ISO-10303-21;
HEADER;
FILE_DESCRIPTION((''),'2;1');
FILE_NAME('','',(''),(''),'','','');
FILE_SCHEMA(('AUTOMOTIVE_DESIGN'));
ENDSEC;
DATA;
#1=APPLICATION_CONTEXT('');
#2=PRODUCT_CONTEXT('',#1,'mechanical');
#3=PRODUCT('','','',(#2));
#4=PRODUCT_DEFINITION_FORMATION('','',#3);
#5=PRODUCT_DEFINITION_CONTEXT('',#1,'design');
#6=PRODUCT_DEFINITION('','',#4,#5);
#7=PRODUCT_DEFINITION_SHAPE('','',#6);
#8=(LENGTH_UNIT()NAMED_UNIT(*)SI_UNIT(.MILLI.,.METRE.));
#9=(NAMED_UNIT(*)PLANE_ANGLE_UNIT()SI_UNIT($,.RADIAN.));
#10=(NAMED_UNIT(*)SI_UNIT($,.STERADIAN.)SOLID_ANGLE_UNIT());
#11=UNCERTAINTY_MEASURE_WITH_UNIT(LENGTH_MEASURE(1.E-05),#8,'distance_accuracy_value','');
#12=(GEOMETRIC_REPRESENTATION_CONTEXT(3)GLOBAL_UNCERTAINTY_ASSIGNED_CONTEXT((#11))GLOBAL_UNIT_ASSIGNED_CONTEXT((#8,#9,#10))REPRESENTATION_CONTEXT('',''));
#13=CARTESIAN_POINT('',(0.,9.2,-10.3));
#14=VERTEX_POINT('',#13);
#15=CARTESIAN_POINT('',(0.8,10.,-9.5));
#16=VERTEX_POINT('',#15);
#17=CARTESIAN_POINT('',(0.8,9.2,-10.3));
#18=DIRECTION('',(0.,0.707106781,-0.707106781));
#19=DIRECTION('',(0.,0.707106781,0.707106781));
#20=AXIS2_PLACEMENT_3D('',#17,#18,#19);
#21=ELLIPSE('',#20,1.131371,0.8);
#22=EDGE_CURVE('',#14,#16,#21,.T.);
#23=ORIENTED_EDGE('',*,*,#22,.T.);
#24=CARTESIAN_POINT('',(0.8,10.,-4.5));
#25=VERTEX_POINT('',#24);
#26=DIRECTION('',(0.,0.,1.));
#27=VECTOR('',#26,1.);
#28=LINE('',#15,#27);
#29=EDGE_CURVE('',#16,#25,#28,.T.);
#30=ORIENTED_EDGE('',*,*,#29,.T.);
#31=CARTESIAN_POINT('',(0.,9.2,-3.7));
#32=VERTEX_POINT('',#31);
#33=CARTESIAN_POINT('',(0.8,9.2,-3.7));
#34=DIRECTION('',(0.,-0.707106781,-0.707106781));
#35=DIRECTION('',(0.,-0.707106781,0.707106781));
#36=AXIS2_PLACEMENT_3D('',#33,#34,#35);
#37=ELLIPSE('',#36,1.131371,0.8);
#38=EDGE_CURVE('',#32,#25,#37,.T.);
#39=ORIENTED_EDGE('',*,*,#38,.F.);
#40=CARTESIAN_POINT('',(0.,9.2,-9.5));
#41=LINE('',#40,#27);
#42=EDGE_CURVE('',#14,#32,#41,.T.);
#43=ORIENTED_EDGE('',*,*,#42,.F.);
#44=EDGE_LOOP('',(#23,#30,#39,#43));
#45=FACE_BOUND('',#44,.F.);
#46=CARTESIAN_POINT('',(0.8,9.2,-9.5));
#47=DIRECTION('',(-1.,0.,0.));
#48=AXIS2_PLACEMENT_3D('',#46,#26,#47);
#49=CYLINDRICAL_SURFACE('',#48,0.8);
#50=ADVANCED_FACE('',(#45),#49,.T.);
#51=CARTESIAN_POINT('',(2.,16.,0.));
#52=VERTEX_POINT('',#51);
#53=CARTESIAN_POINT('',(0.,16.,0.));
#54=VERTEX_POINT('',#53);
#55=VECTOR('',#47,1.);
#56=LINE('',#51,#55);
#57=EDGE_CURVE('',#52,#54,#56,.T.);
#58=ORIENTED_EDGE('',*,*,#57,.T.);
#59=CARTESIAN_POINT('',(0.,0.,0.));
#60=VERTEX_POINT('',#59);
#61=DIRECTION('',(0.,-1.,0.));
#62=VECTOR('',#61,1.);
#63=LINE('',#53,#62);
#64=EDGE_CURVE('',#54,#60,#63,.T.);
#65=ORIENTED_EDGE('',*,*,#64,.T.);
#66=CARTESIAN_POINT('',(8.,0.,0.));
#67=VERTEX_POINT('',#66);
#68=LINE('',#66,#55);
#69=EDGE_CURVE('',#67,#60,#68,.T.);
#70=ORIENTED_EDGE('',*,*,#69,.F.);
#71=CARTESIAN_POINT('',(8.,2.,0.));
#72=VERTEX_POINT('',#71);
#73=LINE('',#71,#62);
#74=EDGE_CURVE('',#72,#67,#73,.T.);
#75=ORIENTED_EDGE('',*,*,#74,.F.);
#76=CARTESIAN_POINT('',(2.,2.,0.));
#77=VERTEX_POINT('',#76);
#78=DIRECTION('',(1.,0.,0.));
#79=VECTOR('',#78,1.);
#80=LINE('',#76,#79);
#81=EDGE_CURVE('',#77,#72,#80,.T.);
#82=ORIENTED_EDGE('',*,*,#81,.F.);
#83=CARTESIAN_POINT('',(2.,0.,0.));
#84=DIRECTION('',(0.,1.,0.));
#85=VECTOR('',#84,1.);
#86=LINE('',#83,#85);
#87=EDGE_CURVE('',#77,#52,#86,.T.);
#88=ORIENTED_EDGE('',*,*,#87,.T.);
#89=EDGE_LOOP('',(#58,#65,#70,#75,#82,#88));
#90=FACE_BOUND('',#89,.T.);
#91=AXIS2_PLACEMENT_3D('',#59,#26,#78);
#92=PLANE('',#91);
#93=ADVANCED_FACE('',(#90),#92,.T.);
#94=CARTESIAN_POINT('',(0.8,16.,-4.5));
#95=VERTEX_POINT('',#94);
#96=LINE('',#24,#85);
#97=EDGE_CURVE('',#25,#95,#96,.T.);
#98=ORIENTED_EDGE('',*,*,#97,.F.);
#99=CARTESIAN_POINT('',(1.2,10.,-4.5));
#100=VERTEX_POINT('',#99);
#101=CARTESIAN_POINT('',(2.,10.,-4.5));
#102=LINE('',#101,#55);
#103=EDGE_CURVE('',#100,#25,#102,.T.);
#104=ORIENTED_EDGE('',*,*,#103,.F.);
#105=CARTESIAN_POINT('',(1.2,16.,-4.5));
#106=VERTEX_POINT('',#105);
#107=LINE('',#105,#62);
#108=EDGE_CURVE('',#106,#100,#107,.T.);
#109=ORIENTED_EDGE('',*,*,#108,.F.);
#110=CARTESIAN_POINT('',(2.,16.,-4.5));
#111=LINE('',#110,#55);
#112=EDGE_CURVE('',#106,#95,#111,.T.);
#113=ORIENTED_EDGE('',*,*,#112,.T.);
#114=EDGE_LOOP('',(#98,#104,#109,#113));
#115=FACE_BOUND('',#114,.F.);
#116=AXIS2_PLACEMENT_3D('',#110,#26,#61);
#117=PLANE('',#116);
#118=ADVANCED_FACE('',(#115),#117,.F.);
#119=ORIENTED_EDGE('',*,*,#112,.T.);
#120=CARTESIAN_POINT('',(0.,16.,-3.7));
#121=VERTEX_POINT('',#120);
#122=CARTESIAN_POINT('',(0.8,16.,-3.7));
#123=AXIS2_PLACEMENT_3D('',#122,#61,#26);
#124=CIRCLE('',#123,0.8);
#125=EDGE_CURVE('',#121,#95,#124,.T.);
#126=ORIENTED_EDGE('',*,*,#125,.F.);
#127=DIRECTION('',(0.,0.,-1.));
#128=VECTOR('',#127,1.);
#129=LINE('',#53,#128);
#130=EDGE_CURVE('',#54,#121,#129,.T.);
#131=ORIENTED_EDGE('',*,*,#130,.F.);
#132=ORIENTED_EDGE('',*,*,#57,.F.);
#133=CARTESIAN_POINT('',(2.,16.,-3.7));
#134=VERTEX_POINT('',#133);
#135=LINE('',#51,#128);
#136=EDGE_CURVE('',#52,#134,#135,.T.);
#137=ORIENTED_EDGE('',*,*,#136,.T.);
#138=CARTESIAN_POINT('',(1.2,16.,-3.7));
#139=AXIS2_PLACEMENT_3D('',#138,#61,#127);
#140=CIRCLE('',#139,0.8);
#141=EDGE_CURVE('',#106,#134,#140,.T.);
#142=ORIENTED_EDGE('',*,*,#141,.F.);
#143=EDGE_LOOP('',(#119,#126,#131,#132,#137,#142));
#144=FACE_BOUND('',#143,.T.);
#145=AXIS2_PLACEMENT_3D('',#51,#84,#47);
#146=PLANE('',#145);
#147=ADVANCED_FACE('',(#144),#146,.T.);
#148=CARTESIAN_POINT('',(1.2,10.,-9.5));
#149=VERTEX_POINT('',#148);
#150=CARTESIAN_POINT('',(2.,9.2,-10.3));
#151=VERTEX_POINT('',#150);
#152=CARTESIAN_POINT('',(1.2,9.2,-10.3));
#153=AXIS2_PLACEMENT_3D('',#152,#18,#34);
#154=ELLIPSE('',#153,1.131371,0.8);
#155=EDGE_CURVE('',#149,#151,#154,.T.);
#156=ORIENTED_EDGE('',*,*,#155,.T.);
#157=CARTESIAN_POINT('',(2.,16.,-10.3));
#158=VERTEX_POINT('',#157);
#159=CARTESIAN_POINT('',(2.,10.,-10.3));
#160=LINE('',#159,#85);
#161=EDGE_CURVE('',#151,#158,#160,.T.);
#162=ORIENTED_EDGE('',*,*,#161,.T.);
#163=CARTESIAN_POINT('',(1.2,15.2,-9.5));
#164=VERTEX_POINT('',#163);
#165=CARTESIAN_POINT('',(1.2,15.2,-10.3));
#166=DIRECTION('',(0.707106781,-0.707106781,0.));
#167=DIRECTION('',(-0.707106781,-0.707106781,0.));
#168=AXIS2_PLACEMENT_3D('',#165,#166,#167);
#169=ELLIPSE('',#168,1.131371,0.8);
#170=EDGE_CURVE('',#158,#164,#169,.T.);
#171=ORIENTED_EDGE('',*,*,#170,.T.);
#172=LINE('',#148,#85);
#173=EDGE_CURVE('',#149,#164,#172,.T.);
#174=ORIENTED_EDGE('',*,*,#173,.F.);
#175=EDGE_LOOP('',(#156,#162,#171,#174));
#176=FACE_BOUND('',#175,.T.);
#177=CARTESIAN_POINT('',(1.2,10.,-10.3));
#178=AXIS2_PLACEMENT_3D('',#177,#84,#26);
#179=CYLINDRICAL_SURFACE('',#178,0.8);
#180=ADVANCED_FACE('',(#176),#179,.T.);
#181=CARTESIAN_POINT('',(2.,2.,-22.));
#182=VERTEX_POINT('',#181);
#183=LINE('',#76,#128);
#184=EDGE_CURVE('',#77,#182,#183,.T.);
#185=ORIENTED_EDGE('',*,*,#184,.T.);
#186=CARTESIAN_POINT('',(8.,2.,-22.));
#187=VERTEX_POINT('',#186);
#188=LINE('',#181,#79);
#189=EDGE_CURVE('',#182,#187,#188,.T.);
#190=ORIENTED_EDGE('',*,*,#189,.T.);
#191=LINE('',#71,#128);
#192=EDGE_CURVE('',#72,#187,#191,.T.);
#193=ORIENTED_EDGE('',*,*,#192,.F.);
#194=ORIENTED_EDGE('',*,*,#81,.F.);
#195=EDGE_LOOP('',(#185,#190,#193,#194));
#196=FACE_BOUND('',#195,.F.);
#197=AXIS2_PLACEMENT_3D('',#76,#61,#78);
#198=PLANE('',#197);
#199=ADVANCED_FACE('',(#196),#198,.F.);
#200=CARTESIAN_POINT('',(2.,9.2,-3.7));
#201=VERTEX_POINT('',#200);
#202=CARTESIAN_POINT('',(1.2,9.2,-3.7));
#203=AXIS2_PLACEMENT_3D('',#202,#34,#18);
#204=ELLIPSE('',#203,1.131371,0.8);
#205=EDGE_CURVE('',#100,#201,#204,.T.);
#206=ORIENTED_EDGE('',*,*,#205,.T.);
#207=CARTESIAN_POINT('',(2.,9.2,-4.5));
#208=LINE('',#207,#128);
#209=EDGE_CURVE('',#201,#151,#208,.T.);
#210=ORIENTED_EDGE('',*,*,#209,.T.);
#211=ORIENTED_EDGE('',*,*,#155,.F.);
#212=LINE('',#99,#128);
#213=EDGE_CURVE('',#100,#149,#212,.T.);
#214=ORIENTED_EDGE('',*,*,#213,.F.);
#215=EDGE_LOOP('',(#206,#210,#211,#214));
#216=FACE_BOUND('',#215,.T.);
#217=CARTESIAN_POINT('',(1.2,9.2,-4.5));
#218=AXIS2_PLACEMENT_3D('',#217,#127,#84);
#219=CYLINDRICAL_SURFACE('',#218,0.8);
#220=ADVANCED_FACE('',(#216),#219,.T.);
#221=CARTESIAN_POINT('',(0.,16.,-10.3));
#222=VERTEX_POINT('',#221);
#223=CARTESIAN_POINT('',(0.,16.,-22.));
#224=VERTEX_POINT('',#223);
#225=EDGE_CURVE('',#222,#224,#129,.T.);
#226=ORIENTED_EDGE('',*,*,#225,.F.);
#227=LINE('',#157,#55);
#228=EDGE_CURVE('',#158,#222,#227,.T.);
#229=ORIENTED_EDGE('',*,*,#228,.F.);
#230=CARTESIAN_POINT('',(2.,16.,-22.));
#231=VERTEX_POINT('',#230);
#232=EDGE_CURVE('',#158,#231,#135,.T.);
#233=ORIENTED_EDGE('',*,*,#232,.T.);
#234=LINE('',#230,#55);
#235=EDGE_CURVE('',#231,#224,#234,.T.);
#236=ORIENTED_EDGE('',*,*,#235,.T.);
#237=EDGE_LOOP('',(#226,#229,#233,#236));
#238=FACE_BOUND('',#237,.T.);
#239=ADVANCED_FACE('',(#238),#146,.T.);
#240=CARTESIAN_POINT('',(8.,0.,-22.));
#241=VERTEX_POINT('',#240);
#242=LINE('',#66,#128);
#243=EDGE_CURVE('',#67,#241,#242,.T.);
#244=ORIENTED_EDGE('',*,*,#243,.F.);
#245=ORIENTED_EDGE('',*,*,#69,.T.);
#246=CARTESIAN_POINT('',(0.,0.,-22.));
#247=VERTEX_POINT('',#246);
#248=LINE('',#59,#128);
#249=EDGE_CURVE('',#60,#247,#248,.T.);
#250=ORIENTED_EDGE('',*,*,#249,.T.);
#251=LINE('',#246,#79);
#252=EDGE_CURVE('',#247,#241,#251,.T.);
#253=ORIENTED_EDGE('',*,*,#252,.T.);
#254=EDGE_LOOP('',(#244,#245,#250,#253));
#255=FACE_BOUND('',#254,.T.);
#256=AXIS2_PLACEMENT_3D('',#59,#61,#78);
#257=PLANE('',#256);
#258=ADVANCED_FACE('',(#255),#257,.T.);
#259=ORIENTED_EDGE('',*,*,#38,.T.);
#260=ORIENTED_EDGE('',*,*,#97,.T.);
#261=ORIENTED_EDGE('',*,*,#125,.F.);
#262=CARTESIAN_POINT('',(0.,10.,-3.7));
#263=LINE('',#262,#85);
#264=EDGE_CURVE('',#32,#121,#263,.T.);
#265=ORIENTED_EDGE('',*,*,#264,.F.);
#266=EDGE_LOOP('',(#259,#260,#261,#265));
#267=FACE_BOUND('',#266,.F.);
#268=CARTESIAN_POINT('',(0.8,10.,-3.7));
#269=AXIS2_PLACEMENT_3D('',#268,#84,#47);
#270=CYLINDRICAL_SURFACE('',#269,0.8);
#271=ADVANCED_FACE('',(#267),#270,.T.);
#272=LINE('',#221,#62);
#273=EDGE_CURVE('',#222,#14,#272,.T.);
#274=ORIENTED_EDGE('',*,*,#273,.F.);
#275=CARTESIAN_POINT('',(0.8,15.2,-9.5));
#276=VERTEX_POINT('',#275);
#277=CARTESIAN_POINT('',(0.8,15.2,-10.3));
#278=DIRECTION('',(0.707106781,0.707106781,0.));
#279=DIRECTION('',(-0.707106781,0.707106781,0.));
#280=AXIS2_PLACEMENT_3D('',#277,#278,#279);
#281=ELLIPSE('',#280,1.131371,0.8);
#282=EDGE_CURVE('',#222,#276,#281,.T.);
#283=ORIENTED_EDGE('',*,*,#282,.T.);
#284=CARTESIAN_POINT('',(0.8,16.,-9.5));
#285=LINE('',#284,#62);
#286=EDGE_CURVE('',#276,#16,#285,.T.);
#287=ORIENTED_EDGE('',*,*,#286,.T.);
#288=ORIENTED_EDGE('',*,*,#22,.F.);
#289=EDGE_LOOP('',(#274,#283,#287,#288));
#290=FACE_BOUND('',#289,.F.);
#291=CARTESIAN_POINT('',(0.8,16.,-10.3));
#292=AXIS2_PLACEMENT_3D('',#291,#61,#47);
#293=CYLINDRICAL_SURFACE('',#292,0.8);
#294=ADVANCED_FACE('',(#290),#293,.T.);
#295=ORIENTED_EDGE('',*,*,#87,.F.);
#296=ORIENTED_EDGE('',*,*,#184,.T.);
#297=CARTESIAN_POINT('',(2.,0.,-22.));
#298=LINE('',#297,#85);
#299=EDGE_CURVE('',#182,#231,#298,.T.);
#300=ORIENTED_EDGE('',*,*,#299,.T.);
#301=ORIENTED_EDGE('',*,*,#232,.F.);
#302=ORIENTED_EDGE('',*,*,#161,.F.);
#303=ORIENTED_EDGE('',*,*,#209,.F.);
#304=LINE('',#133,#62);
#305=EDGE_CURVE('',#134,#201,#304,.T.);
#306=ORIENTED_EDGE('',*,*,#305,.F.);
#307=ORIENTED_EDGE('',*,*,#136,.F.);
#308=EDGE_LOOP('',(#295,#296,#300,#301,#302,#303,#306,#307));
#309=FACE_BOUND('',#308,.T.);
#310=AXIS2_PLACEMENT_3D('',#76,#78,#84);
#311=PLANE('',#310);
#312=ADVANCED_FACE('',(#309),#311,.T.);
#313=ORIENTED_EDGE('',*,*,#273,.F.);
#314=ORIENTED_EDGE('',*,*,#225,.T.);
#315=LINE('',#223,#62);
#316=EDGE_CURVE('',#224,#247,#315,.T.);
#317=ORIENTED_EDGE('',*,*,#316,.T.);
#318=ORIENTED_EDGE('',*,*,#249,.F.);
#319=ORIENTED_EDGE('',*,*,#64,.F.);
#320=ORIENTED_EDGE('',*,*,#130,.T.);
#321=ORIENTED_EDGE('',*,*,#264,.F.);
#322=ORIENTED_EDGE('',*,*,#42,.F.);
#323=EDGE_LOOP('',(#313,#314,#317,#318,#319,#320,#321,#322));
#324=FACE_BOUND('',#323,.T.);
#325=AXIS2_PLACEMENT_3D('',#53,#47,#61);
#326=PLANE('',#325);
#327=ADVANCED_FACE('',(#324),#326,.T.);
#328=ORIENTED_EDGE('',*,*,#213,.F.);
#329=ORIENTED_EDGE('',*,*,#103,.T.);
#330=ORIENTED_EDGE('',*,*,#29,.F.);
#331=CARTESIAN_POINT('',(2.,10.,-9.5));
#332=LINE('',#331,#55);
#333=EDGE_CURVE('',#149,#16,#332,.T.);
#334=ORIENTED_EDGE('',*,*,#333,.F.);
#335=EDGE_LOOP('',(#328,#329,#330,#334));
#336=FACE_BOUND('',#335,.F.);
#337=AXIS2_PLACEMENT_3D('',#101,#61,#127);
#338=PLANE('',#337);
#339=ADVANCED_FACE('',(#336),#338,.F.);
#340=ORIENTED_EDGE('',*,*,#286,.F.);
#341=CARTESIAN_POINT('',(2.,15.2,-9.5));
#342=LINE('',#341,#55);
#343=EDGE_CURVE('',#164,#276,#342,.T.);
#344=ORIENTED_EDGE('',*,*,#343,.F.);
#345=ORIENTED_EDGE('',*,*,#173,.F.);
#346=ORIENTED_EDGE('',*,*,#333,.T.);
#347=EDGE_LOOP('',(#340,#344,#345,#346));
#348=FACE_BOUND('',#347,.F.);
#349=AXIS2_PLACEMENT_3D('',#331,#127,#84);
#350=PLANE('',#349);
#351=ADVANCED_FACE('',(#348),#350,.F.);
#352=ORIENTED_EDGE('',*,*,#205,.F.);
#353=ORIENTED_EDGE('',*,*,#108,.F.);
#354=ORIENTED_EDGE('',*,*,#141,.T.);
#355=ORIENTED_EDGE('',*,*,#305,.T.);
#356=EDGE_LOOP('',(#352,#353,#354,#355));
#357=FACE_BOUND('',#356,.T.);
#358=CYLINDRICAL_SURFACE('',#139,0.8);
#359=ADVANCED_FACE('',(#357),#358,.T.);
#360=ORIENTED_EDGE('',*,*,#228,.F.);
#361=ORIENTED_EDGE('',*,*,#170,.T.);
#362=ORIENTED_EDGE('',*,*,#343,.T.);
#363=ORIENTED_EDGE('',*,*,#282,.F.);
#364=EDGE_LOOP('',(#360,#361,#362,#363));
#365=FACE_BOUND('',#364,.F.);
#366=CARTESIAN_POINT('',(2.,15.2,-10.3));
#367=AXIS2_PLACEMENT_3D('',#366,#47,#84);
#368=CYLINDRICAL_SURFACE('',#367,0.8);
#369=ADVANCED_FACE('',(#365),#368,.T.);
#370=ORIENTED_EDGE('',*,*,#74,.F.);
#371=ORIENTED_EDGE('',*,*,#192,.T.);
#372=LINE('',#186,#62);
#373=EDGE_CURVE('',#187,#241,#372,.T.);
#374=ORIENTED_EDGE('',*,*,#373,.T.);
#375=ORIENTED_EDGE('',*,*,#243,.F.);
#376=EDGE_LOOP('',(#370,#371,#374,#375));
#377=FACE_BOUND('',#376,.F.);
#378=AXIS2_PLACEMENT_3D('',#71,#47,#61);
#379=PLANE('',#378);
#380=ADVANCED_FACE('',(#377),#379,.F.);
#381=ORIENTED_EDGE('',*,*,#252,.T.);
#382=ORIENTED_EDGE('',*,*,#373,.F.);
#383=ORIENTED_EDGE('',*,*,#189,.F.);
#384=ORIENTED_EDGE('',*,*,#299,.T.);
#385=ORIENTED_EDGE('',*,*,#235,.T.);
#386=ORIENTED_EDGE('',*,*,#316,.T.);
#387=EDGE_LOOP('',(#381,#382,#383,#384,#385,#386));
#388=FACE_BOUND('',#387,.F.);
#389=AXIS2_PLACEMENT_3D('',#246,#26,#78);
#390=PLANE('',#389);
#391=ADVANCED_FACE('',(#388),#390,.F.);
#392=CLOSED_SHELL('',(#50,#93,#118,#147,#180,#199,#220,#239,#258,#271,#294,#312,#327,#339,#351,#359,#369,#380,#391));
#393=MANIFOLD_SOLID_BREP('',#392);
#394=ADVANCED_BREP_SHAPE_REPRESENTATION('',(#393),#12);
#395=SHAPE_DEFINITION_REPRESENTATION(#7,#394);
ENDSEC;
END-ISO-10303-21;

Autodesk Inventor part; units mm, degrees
ref_plane "YZ Plane" through (0, 0, 0) normal (1, 0, 0) x (0, 1, 0)
ref_plane "XZ Plane" through (0, 0, 0) normal (0, 1, 0) x (-1, 0, 0)
ref_plane "XY Plane" through (0, 0, 0) normal (0, 0, 1) x (1, 0, 0)
sketch "Sketch1" plane through (0, 0, 0) normal (0, 0, 1) x (1, 0, 0)
  line L0 (0, 0) -> (2, 0)
  line L1 (2, 0) -> (2, 16)
  line L2 (2, 16) -> (0, 16)
  line L3 (0, 16) -> (0, 0)
  line L4 (2, 2) -> (8, 2)
  line L5 (8, 2) -> (8, 0)
  line L6 (8, 0) -> (2, 0)
  line L7 (2, 0) -> (2, 2)
  dimension "d0" = 2
  dimension "d1" = 16
  dimension "d2" = 6
extrude "Extrusion1" add sketch "Sketch1" against normal blind 22
sketch "Sketch3" plane through (2, 2, 0) normal (1, 0, 0) x (0, 0, -1)
  line L0 (9.5, 14) -> (4.5, 14)
  line L1 (4.5, 14) -> (4.5, 8)
  line L2 (4.5, 8) -> (9.5, 8)
  line L3 (9.5, 8) -> (9.5, 14)
  point P0 (0, -2)
  dimension "d9" = 5
  dimension "d10" = 6
extrude "Extrusion3" cut sketch "Sketch3" against normal blind 10
fillet "Fillet1" radius 0.8 7 edges at (2, 10, -7) (0, 10, -7) (1, 16, -9.5) (2, 13, -9.5) (0, 13, -9.5) (2, 13, -4.5) (0, 13, -4.5)
properties part number "housing_mate_v07"
